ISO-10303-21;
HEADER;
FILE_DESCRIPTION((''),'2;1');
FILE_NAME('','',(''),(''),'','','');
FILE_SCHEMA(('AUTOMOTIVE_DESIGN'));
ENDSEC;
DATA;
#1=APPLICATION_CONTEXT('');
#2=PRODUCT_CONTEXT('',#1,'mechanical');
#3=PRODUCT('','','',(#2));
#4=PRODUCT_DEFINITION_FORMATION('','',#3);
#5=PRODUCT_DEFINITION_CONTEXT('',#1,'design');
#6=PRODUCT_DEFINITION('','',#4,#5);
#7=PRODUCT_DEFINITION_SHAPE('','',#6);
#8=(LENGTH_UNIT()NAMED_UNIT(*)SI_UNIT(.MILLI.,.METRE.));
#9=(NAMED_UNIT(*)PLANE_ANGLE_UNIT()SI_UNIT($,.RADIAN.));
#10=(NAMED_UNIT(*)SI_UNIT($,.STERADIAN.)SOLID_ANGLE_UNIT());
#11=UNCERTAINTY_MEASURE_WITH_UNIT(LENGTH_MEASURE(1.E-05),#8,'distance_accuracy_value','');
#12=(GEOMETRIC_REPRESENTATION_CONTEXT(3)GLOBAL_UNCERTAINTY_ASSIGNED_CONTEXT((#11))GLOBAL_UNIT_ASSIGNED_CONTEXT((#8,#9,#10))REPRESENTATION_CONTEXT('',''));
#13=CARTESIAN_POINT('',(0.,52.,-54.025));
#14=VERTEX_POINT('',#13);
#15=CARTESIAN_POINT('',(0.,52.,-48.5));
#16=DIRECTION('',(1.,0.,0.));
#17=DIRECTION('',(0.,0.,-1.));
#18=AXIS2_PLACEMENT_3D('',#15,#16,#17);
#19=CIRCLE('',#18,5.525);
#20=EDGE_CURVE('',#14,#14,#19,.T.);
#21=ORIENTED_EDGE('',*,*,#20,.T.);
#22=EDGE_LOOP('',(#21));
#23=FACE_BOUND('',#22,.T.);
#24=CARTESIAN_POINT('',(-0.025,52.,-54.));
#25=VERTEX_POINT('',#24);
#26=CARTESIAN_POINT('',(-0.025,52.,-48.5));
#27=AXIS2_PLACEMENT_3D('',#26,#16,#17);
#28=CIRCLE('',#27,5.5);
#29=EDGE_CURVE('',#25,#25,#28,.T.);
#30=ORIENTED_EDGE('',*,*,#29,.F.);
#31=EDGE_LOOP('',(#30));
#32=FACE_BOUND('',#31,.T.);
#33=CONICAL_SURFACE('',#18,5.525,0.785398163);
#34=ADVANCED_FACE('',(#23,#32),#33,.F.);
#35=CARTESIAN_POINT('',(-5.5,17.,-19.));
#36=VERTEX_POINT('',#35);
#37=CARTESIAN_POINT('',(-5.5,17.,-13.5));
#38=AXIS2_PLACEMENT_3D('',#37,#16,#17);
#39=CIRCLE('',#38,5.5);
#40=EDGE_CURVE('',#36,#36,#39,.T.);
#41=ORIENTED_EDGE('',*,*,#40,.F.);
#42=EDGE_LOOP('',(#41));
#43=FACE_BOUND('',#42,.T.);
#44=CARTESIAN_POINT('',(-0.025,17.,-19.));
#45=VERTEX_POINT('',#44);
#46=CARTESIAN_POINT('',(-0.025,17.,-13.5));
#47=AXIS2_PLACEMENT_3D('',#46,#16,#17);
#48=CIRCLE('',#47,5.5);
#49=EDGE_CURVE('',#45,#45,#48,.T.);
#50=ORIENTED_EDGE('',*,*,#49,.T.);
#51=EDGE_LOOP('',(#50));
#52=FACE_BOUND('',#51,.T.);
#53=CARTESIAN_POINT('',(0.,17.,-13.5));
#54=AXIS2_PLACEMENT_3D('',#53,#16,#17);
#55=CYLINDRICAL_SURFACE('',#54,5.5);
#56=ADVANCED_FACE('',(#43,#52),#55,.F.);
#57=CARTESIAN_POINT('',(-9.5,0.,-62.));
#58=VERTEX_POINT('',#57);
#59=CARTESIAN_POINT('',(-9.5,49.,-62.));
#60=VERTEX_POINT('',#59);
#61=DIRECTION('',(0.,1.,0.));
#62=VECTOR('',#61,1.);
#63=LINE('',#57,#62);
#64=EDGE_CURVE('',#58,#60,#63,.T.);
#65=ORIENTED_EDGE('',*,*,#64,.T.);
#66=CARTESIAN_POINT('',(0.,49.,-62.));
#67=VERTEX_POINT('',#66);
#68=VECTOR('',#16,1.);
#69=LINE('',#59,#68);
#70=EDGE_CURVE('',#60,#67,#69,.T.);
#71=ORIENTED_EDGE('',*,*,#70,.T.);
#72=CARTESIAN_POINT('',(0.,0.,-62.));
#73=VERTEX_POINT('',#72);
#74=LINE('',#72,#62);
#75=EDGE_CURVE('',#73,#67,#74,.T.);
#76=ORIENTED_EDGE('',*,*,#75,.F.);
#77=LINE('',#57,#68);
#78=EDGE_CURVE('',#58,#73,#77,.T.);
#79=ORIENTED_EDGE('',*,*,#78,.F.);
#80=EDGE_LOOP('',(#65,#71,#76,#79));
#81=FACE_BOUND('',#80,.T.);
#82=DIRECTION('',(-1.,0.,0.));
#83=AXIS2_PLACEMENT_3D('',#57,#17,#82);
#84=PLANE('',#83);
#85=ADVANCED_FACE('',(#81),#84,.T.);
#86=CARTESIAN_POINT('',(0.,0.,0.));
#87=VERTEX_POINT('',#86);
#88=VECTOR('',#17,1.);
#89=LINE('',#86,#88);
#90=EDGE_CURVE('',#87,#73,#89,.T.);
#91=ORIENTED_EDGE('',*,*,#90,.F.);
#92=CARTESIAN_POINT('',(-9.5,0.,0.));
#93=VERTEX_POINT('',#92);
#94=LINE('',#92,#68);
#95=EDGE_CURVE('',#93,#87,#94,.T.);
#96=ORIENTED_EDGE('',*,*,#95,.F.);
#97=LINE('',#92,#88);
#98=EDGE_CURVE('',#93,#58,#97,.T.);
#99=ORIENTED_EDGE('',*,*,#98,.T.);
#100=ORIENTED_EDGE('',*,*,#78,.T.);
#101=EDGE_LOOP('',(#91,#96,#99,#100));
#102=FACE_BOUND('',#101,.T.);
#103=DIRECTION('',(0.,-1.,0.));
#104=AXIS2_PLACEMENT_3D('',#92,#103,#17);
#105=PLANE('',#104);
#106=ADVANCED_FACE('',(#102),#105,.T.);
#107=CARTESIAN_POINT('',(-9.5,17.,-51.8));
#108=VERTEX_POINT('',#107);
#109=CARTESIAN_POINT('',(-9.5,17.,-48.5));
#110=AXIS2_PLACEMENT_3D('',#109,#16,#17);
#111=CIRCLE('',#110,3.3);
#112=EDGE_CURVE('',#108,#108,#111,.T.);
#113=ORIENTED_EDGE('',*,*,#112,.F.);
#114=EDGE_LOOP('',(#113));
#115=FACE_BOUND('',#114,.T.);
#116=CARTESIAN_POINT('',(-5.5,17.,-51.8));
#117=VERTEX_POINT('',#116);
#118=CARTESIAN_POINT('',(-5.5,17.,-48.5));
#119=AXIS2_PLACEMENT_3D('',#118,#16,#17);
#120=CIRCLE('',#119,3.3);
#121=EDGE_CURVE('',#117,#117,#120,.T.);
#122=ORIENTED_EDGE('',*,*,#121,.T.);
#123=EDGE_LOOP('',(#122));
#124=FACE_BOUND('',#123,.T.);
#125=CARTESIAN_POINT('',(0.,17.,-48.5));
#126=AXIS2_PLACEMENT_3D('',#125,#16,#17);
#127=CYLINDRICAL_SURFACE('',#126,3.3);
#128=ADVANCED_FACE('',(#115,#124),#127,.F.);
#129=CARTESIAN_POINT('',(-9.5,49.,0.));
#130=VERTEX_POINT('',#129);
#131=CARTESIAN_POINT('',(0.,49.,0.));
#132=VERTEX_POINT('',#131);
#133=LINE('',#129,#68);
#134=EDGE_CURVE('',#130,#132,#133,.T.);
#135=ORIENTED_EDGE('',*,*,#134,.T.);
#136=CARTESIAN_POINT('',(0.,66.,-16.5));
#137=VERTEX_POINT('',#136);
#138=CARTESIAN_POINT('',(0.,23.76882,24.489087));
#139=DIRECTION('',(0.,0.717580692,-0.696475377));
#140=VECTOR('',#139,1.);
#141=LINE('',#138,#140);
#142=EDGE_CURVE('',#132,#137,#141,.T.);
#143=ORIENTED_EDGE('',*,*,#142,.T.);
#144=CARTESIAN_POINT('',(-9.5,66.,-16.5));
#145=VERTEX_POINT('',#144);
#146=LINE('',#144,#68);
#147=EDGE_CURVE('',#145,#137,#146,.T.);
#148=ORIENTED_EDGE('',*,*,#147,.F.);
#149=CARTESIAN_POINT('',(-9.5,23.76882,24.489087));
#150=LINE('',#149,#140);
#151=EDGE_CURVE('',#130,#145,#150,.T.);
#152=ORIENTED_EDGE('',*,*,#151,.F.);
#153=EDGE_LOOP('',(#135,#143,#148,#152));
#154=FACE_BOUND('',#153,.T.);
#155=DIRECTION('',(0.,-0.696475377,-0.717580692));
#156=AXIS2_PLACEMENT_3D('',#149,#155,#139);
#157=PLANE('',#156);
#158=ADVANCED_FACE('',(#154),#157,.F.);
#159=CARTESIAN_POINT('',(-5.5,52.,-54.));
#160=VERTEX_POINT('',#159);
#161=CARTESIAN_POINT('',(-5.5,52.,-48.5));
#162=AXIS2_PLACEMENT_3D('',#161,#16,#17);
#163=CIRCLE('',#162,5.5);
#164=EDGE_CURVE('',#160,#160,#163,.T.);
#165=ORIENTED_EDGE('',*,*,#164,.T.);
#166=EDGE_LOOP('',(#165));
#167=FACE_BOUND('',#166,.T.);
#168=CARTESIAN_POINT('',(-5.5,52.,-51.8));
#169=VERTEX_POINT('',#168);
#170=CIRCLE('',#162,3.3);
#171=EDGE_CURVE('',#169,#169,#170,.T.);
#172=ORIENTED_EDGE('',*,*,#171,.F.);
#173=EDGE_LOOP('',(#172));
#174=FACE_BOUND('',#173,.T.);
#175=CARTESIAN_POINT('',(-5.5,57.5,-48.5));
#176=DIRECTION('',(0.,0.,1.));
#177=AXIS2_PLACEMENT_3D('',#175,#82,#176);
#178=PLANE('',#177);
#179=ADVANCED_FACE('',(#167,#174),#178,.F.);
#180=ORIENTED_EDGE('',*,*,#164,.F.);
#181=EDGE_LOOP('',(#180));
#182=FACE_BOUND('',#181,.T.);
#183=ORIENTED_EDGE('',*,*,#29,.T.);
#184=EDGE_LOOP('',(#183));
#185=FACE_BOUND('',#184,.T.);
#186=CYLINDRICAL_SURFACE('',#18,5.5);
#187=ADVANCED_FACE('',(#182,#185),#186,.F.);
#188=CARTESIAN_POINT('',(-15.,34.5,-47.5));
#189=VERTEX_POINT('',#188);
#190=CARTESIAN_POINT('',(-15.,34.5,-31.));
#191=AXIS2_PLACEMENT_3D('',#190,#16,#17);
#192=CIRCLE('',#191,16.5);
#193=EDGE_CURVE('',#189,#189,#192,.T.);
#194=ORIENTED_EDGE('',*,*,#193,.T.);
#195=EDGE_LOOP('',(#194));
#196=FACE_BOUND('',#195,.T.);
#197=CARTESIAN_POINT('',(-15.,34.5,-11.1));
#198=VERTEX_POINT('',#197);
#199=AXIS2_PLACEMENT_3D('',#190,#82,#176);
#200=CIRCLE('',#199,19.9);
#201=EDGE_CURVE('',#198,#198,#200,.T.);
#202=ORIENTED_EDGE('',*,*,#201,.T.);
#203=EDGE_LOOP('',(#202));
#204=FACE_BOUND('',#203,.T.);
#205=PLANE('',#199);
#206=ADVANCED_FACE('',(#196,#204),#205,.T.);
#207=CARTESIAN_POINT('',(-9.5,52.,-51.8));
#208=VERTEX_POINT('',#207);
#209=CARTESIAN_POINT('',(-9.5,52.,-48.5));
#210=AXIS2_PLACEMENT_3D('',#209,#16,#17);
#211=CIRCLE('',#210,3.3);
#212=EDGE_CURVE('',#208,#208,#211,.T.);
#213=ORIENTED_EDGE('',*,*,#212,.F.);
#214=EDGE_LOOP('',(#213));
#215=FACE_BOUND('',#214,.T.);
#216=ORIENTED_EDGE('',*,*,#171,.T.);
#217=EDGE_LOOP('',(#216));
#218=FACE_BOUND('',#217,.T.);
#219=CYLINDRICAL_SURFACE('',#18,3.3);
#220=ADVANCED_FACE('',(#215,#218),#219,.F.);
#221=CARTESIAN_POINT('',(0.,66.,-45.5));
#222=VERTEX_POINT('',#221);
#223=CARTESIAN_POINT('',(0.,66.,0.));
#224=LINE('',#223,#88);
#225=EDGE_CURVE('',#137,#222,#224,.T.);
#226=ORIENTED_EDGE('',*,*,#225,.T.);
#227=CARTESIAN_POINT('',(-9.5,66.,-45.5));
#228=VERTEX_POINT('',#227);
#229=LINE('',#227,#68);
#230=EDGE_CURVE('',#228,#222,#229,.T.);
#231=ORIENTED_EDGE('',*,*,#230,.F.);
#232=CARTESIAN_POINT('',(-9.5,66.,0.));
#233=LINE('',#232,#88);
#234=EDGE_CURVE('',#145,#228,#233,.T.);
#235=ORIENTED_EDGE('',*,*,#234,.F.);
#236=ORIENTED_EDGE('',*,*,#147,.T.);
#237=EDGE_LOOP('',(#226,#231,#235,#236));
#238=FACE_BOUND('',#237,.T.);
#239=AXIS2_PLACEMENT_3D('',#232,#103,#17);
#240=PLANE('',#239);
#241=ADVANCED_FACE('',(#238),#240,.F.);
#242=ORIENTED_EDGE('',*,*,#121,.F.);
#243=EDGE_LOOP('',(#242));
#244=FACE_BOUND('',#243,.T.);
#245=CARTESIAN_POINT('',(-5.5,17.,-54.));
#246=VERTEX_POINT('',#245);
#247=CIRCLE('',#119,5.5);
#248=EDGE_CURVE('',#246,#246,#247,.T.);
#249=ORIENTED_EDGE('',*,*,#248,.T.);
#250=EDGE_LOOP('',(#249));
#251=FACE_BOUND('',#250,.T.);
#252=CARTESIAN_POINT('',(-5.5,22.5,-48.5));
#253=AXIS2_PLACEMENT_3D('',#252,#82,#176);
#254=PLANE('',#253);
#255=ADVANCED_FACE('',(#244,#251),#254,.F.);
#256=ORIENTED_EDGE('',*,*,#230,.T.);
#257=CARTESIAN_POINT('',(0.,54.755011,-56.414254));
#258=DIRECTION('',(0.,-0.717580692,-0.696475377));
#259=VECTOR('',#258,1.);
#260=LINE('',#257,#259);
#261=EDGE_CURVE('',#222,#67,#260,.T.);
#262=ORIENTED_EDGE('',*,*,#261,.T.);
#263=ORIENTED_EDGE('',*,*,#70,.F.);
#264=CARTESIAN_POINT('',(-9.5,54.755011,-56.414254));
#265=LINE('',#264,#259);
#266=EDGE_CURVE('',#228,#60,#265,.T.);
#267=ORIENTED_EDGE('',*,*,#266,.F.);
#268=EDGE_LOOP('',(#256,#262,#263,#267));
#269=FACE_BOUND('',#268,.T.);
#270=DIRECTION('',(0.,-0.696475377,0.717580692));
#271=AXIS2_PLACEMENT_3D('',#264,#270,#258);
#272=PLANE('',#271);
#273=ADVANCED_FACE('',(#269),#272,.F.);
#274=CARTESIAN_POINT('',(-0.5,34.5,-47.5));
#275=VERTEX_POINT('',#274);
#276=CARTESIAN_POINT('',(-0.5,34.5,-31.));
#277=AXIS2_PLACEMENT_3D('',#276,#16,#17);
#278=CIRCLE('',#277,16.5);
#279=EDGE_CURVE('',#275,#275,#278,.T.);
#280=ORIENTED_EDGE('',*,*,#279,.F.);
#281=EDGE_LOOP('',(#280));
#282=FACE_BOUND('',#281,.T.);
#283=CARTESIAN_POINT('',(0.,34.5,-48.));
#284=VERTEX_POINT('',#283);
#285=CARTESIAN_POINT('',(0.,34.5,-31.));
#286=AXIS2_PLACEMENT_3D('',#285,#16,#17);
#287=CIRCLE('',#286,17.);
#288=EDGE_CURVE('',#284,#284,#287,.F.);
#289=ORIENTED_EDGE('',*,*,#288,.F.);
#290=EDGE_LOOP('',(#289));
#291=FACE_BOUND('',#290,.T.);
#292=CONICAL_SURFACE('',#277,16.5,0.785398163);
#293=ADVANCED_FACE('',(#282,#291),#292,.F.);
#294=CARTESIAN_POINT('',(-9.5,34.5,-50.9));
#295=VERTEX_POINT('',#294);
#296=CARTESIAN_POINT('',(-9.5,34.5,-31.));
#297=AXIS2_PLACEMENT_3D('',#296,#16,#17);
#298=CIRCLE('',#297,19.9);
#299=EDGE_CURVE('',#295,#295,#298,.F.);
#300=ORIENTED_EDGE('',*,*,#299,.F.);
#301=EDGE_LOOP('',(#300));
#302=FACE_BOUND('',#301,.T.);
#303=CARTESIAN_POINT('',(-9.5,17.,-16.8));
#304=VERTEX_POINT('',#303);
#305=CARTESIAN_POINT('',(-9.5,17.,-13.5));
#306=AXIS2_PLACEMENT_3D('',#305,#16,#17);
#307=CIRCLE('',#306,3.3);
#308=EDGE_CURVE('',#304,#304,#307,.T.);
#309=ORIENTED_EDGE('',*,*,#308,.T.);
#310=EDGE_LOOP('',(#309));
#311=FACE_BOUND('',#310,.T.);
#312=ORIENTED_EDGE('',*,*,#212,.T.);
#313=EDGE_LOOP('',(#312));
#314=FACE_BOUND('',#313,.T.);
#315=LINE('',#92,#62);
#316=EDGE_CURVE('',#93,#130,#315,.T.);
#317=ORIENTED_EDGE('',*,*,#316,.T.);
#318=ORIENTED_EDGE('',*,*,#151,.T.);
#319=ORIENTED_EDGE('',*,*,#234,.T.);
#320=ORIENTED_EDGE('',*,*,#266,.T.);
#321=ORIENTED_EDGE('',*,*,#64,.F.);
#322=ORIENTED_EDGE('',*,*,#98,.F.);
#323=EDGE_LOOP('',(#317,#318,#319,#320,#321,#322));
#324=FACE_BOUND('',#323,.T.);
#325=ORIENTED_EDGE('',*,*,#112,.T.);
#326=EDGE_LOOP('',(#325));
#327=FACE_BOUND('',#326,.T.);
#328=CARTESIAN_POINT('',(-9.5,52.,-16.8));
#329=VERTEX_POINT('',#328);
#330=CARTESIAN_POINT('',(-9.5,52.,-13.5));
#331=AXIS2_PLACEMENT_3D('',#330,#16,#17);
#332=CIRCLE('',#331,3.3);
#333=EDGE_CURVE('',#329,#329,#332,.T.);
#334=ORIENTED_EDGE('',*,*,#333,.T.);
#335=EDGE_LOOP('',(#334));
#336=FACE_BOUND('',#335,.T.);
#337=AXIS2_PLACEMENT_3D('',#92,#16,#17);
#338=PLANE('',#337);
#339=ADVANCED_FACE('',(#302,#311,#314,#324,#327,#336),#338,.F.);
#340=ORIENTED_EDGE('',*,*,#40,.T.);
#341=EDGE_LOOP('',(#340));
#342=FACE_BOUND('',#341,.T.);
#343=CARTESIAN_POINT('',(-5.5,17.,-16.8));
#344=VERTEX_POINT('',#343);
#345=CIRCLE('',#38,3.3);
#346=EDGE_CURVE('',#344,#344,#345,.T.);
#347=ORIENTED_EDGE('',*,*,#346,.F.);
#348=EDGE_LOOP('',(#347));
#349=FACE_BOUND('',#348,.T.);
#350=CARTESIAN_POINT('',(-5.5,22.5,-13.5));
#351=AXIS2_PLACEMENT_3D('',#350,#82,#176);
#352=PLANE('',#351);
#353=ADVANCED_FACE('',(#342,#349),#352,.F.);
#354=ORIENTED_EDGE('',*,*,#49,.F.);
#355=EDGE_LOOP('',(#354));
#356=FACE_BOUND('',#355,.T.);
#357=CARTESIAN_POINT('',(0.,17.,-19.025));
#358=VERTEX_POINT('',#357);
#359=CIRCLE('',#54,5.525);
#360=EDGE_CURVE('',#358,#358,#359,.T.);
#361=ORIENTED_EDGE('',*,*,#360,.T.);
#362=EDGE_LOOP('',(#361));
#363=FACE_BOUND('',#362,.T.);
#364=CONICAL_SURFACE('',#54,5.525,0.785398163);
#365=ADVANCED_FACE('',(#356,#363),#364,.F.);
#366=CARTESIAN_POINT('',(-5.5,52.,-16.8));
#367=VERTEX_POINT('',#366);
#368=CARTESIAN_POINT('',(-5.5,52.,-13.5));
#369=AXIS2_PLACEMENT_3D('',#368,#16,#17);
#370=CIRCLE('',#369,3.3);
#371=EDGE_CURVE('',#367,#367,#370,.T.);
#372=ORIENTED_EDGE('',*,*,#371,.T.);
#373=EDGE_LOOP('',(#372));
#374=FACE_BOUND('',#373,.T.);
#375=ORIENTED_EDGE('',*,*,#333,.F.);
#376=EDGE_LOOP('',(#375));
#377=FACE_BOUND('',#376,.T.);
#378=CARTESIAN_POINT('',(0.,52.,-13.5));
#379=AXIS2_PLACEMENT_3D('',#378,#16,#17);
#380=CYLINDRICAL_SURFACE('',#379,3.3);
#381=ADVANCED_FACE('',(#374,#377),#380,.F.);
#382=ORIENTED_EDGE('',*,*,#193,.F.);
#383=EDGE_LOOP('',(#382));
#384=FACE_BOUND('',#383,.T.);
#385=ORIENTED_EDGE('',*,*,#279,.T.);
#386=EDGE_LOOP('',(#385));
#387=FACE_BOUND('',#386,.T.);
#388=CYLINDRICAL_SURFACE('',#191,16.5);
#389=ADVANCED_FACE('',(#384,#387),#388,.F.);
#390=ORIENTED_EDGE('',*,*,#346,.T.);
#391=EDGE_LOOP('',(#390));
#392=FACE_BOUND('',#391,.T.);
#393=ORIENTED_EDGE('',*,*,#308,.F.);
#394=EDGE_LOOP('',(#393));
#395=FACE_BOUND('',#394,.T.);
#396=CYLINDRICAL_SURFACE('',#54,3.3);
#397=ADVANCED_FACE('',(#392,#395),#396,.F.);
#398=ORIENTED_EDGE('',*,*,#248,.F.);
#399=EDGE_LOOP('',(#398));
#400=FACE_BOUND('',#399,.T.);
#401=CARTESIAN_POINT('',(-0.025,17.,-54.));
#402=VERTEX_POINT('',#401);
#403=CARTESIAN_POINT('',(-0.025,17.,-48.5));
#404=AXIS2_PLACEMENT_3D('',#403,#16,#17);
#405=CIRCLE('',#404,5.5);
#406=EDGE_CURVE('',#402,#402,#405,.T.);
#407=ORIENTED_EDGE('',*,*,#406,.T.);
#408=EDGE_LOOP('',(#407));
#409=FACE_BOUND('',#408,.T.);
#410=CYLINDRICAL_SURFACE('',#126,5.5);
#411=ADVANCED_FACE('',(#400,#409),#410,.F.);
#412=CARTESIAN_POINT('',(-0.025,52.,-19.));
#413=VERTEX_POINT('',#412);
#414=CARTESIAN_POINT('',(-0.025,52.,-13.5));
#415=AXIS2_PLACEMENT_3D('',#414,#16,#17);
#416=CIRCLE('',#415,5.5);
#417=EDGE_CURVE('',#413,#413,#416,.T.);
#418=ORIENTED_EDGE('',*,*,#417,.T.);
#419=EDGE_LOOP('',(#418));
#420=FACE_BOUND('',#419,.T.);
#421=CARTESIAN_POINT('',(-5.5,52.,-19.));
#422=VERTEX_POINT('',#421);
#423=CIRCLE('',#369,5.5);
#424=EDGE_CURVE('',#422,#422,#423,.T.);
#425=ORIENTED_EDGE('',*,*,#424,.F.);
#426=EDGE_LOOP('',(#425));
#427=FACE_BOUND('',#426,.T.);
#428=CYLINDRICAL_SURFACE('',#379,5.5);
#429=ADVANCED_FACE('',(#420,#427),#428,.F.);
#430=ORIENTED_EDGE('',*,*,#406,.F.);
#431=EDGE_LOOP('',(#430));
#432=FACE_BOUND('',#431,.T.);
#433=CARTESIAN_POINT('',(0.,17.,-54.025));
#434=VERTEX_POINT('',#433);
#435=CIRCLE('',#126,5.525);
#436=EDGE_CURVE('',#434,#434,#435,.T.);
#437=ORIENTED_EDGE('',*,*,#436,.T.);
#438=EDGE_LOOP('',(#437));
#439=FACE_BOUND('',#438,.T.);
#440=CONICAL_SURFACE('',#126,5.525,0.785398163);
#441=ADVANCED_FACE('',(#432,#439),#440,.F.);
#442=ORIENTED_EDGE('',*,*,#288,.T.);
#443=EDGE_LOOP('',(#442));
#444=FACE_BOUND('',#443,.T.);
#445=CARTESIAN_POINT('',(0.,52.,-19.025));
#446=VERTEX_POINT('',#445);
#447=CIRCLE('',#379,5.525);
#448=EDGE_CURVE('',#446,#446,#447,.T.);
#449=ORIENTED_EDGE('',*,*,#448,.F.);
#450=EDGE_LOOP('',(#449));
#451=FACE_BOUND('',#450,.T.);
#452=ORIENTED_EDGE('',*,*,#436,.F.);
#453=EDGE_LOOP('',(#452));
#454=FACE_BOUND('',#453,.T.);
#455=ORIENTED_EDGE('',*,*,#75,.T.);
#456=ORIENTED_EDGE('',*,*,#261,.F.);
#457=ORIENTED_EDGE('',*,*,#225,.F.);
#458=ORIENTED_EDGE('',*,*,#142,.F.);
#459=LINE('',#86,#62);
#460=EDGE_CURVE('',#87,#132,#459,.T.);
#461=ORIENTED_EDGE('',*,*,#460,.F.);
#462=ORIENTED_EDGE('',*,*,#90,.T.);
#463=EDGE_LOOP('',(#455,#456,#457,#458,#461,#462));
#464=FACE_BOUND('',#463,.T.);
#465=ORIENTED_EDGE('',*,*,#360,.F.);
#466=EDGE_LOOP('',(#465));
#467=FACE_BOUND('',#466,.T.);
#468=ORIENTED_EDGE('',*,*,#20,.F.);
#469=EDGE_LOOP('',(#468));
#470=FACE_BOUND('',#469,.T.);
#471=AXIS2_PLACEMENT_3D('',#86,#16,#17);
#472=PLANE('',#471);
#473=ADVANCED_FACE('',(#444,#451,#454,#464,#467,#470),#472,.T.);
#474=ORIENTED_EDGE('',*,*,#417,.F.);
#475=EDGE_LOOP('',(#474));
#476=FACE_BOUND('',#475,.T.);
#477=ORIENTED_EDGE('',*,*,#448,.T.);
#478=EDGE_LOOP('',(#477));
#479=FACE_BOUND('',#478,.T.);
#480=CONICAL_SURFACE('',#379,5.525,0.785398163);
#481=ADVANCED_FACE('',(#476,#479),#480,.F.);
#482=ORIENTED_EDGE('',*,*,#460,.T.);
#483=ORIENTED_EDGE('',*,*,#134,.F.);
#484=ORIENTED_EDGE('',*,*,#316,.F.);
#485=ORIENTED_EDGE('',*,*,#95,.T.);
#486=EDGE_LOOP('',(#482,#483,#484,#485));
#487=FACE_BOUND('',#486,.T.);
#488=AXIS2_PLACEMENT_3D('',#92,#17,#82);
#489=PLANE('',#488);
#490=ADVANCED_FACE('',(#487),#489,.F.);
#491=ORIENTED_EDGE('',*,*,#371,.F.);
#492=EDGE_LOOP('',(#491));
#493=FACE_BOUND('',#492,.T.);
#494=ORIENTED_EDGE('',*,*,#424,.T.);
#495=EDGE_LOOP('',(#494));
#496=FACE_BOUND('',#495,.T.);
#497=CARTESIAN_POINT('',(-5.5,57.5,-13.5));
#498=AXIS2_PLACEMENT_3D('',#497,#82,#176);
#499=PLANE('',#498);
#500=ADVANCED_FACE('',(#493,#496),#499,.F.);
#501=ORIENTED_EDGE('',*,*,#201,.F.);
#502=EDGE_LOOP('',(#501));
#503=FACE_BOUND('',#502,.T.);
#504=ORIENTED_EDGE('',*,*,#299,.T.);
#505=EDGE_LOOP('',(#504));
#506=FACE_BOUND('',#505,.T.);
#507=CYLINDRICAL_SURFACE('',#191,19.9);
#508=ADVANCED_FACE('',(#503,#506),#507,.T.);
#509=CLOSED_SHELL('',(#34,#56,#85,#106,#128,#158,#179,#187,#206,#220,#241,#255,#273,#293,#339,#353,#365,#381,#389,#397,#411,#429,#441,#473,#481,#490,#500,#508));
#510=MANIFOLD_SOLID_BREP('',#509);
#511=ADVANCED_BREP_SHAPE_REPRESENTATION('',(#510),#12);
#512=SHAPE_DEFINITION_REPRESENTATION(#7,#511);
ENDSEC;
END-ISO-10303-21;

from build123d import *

# Parameters (mm, degrees)
ESBO_O1_W                                    = 31
ESBO_O1_H                                    = 49
RESSALTO_EXTRUS_O1_DEPTH                     = 9.5
REBAIXO_PARA_PARAFUSO_COM_CABE_A_RED_2_COUNT = 2
REBAIXO_PARA_PARAFUSO_COM_CABE_A_RED_2_PITCH = 35
REBAIXO_PARA_PARAFUSO_COM_CABE_A_RED_3_COUNT = 2
REBAIXO_PARA_PARAFUSO_COM_CABE_A_RED_3_PITCH = 49.497474683
REBAIXO_PARA_PARAFUSO_COM_CABE_A_RED_4_COUNT = 2
REBAIXO_PARA_PARAFUSO_COM_CABE_A_RED_4_PITCH = 35
ESBO_O8_R                                    = 19.9
RESSALTO_EXTRUS_O2_DEPTH                     = 5.5
ESBO_O5_R                                    = 16.5
CORTE_EXTRUS_O1_DEPTH                        = 92.787798753
CHANFRO1_SIZE                                = 0.5


with BuildPart() as part:
    # Esboço1 → Ressalto-extrusão1 (new body)
    with BuildSketch(Plane(origin=(0, 0, 0), x_dir=(0, 0, -1), z_dir=(1, 0, 0))):
        Polygon((16.5, 66), (0, 49), (31, 49), (31, 66), align=None)
        Polygon((31, 66), (31, 49), (62, 49), (45.5, 66), align=None)
        with Locations((15.5, 24.5)):
            Rectangle(ESBO_O1_W, ESBO_O1_H)
        with Locations((46.5, 24.5)):
            Rectangle(ESBO_O1_W, ESBO_O1_H)
    extrude(amount=-RESSALTO_EXTRUS_O1_DEPTH)

    # Esboço4 → Rebaixo para parafuso com cabeça redonda de M61 (revolve, cut)
    with BuildSketch(Plane(origin=(0, 52, -13.5), x_dir=(0, 0, -1), z_dir=(0, 1, 0))):
        Polygon((0, 0), (0, 9.5), (3.3, 9.5), (3.3, 5.5), (5.5, 5.5), (5.5, 0.025), (5.525, 0), align=None)
    rebaixo_para_parafuso_com_cabe_a_redonda = revolve(axis=Axis((6.35, 52, -13.5), (-1, 0, 0)), mode=Mode.SUBTRACT)

    # Rebaixo para parafuso com cabe_a red 2: Rebaixo para parafuso com cabeça redonda de M61 ×2
    with Locations(*[(0, 0, -i * REBAIXO_PARA_PARAFUSO_COM_CABE_A_RED_2_PITCH) for i in range(1, REBAIXO_PARA_PARAFUSO_COM_CABE_A_RED_2_COUNT)]):
        add(rebaixo_para_parafuso_com_cabe_a_redonda, mode=Mode.SUBTRACT)

    # Rebaixo para parafuso com cabe_a red 3: Rebaixo para parafuso com cabeça redonda de M61 ×2
    with Locations(*[Vector(0, -0.7071067811865477, -0.7071067811865475) * (i * REBAIXO_PARA_PARAFUSO_COM_CABE_A_RED_3_PITCH) for i in range(1, REBAIXO_PARA_PARAFUSO_COM_CABE_A_RED_3_COUNT)]):
        add(rebaixo_para_parafuso_com_cabe_a_redonda, mode=Mode.SUBTRACT)

    # Rebaixo para parafuso com cabe_a red 4: Rebaixo para parafuso com cabeça redonda de M61 ×2
    with Locations(*[(0, -i * REBAIXO_PARA_PARAFUSO_COM_CABE_A_RED_4_PITCH, 0) for i in range(1, REBAIXO_PARA_PARAFUSO_COM_CABE_A_RED_4_COUNT)]):
        add(rebaixo_para_parafuso_com_cabe_a_redonda, mode=Mode.SUBTRACT)

    # Esboço8 → Ressalto-extrusão2 (add)
    with BuildSketch(Plane.ZY.offset(9.5)):
        with Locations(Location((-31, 34.5, 0), (0, 0, 180))):
            Circle(ESBO_O8_R)
    extrude(amount=RESSALTO_EXTRUS_O2_DEPTH)

    # Esboço5 → Corte-extrusão1 (cut, through all)
    with BuildSketch(Plane(origin=(0, 0, 0), x_dir=(0, 0, -1), z_dir=(1, 0, 0))):
        with Locations((31, 34.5)):
            Circle(ESBO_O5_R)
    extrude(amount=-CORTE_EXTRUS_O1_DEPTH, mode=Mode.SUBTRACT)

    # Chanfro1
    chanfro1_edges = [part.edges().sort_by_distance(p)[0] for p in [
        (0, 34.5, -14.5),
    ]]
    chamfer(chanfro1_edges, length=CHANFRO1_SIZE)


solid = part.part
